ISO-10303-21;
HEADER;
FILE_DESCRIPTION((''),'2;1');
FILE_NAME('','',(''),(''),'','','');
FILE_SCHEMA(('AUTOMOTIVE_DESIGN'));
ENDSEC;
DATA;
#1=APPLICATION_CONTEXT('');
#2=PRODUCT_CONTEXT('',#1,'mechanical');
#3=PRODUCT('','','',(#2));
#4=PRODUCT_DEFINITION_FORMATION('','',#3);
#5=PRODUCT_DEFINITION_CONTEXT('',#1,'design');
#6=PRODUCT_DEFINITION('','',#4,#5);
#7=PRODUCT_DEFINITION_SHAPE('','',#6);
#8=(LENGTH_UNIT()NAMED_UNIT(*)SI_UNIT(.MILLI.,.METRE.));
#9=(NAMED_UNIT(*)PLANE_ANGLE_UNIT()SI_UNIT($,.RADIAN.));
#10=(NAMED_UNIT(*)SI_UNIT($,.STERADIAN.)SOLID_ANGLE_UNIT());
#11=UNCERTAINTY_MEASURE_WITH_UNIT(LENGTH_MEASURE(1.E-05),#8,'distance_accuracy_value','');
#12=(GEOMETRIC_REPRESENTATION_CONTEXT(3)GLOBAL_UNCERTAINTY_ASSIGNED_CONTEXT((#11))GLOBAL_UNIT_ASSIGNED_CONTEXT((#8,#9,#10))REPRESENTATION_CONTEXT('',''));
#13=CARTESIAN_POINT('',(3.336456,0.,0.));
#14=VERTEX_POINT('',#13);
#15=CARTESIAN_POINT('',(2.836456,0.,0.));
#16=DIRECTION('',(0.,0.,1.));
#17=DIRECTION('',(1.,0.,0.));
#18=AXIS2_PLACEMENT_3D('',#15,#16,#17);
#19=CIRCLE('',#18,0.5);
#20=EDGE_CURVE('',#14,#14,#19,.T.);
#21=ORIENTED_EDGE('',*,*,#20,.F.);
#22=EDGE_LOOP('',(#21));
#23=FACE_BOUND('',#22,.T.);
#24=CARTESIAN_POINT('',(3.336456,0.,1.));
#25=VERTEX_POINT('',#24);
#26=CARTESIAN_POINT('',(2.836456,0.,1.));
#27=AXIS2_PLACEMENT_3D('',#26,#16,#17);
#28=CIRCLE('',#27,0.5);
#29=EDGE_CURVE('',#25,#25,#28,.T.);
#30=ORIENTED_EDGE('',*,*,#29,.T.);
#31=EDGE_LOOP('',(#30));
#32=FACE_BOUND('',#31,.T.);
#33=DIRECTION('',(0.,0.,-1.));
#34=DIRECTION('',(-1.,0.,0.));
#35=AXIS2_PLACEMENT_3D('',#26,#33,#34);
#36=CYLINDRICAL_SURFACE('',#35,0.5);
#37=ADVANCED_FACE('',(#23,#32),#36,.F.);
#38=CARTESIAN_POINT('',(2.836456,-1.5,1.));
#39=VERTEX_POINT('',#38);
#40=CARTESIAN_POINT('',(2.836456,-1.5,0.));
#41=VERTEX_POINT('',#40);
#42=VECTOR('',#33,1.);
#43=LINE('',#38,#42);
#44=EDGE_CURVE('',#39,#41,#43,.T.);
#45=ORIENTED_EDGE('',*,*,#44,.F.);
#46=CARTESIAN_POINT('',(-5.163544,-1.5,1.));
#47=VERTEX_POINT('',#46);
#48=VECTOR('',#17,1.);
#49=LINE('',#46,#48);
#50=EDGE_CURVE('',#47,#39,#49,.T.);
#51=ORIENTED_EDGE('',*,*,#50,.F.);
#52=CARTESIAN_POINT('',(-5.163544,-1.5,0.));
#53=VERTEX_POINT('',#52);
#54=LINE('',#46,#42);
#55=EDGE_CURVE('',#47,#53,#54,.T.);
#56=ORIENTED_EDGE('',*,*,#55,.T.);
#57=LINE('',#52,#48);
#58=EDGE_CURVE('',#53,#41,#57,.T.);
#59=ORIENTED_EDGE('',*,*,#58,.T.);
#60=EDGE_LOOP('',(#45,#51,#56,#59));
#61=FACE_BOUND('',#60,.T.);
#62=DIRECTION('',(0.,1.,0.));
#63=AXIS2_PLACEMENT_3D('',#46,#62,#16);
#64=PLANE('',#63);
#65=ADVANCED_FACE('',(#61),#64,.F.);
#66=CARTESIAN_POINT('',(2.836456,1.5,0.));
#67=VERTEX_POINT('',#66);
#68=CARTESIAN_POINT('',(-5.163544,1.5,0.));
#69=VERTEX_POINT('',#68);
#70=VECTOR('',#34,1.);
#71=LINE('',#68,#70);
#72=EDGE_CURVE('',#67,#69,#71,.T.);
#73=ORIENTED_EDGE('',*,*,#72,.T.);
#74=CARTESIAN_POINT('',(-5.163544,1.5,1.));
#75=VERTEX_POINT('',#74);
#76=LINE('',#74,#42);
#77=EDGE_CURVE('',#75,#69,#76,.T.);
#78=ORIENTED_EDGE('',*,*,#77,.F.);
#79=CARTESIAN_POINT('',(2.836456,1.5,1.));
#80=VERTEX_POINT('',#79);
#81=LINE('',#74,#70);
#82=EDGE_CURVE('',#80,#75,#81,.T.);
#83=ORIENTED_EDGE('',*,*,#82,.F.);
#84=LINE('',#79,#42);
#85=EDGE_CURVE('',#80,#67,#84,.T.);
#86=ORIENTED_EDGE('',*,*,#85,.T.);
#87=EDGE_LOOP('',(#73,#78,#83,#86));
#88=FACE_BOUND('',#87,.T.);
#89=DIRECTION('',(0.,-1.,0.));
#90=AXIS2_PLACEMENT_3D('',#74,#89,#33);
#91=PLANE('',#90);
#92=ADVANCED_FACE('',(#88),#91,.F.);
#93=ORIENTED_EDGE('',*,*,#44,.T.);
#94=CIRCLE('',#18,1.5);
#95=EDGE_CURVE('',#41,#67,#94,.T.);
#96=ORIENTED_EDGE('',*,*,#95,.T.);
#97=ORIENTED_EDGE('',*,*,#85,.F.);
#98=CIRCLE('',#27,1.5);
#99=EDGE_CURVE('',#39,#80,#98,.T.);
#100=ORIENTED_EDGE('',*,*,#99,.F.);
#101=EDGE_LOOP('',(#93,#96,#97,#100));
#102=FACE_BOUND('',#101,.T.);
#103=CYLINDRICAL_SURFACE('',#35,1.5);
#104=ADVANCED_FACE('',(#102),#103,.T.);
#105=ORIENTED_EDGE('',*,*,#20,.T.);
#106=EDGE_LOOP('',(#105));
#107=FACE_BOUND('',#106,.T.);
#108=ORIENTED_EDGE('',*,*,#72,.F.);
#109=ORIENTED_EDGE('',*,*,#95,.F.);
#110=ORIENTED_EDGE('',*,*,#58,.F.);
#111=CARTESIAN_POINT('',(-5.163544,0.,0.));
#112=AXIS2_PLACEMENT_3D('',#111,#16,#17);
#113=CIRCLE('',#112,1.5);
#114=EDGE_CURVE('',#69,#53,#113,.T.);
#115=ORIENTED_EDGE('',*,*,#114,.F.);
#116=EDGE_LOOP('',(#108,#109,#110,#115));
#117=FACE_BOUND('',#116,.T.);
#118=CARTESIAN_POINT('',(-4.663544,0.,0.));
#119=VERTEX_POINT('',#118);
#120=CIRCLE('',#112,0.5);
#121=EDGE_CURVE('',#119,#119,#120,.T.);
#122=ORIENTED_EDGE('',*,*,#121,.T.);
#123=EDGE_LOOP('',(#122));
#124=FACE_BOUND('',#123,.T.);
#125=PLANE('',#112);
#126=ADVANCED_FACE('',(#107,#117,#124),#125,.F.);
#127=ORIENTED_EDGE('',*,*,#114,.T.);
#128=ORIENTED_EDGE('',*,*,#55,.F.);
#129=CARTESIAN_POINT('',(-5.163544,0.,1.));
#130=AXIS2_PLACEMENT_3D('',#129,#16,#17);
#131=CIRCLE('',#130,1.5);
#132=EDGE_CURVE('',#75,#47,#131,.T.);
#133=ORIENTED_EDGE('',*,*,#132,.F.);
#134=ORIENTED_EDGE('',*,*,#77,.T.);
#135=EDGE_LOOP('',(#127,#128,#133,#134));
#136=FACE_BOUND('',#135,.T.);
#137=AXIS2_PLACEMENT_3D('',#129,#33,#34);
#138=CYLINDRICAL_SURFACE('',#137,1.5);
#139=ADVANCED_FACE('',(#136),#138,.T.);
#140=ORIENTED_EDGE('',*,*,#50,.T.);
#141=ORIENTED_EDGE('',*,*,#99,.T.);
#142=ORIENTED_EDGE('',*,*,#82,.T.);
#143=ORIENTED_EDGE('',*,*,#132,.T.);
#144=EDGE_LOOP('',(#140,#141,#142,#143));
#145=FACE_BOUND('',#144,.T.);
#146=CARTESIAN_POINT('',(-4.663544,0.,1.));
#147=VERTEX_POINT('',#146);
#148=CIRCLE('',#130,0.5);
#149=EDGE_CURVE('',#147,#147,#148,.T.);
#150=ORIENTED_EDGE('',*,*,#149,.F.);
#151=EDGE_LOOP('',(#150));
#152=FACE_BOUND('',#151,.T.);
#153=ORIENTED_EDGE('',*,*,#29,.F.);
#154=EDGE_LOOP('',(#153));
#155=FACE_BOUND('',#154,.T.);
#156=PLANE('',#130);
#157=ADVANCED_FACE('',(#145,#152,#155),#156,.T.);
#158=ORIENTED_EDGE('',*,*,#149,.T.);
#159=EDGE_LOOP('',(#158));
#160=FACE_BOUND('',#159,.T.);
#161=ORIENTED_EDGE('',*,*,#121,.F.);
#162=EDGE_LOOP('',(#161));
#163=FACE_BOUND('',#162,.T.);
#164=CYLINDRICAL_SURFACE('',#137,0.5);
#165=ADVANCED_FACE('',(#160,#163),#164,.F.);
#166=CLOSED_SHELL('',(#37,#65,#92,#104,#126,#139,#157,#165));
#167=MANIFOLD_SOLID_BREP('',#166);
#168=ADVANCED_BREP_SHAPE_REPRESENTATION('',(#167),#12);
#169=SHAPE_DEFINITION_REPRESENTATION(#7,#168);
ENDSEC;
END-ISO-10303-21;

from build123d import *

# Parameters (mm, degrees)
SKETCH2_R           = 0.5
BOSS_EXTRUDE1_DEPTH = 1


with BuildPart() as part:
    # Sketch2 → Boss-Extrude1 (new body)
    with BuildSketch(Plane.XY):
        with BuildLine():
            Line((-5.163544054, 1.5), (2.836455946, 1.5))
            ThreePointArc((2.836455946, 1.5), (4.336455946, 0), (2.836455946, -1.5))
            Line((2.836455946, -1.5), (-5.163544054, -1.5))
            ThreePointArc((-5.163544054, -1.5), (-6.663544054, 0), (-5.163544054, 1.5))
        make_face()
        with Locations((2.836455946, 0)):
            Circle(SKETCH2_R, mode=Mode.SUBTRACT)
        with Locations((-5.163544054, 0)):
            Circle(SKETCH2_R, mode=Mode.SUBTRACT)
    extrude(amount=BOSS_EXTRUDE1_DEPTH)


solid = part.part
